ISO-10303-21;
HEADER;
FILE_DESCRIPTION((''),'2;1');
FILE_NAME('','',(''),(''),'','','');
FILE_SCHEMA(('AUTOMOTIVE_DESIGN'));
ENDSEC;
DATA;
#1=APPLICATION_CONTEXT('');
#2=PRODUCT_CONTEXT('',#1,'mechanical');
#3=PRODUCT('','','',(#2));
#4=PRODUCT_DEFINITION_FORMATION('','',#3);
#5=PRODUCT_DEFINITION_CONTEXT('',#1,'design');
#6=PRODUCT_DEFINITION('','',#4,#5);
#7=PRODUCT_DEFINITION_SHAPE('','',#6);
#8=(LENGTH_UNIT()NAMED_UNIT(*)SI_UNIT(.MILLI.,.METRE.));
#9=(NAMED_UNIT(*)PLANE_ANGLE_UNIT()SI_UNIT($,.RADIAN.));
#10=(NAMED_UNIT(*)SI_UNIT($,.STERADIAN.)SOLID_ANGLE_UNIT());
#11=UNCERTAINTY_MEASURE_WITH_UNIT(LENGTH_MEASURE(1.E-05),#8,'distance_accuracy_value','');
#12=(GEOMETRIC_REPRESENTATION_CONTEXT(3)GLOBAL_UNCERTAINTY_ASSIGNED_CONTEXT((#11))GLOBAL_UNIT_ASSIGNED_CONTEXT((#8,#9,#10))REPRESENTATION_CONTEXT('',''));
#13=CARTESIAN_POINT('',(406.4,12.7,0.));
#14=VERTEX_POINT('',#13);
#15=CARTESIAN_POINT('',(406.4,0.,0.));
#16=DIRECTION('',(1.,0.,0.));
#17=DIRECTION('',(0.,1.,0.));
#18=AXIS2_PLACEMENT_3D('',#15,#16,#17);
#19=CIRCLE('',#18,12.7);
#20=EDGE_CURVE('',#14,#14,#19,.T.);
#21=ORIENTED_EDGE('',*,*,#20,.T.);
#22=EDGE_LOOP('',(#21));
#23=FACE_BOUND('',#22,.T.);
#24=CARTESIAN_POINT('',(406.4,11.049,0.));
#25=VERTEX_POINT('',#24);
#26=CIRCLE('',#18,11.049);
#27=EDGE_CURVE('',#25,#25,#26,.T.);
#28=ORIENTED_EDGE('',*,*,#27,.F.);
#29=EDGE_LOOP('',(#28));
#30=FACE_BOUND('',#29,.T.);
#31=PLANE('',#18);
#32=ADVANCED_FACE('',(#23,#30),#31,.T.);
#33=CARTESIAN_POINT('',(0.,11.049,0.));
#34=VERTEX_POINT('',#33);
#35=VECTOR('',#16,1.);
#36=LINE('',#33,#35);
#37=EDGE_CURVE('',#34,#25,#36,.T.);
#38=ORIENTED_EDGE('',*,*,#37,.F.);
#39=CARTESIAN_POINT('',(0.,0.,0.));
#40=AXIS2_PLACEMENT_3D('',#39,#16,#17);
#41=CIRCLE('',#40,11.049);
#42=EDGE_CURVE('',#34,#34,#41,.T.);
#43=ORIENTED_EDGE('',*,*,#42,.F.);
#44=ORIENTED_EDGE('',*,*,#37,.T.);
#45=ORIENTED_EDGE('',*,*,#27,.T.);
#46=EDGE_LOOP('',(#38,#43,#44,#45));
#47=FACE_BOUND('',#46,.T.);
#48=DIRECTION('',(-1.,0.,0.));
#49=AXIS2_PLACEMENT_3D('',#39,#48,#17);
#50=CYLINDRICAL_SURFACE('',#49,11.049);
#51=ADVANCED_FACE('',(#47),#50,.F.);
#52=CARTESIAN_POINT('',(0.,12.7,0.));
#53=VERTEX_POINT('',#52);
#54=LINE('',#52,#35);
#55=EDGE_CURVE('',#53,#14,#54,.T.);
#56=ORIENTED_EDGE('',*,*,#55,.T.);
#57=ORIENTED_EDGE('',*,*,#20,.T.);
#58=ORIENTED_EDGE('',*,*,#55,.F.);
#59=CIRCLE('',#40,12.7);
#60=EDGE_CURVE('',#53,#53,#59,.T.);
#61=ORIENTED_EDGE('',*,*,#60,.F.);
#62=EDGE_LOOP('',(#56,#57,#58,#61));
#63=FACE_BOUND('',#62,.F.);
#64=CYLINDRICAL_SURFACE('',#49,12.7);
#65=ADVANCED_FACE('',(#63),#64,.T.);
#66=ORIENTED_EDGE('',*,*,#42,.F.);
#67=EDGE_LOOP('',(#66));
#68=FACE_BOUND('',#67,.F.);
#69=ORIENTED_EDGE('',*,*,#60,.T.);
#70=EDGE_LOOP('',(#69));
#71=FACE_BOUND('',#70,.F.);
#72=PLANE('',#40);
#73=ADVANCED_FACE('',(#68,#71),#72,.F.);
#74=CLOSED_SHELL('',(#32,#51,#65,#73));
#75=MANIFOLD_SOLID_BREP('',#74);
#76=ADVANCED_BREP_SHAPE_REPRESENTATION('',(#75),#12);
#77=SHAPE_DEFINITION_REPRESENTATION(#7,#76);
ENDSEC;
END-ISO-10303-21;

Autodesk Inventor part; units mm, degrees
ref_plane "XZ Plane" through (0, 0, 0) normal (0, 1, 0) x (-1, 0, 0)
ref_plane "Start Plane" through (0, 0, 0) normal (1, 0, 0) x (0, 1, 0)
ref_plane "End Plane" through (406.4, 0, 0) normal (1, 0, 0) x (0, 1, 0)
sketch "Sketch" plane through (0, 0, 0) normal (1, 0, 0) x (0, 1, 0)
  circle A0 centre (0, 0) radius 12.7
  circle A1 centre (0, 0) radius 11.049
  dimension "d0" = 25.4
  dimension "d1" = 1.651
extrude "Body" add sketch "Sketch" along normal up to surface (406.4 mm away) from surface at 0
sketch "Sketch2" plane through (0, 0, 0) normal (1, 0, 0) x (0, 1, 0)
  line L0 (0, 0) -> (10, 0)
ref_plane "Work Plane3" through (0, 0, 0) normal (0, 0, -1) x (0, 1, 0)
sketch "Sketch3" plane through (0, 0, 0) normal (0, 0, -1) x (0, 1, 0)
  line L0 (-2, 0) -> (12, 0)
  line L1 (-2, 406.4) -> (12, 406.4)
  dimension "d9" = 406.4
equation "\"G_OFFSET_START\" = 0"
equation "\"G_OFFSET_END\" = 0"
equation "\"d5\" = d2 + G_OFFSET_END"
equation "\"G_L\" = d9"
equation "\"d2\" = 406.4"
properties part number "4130_1x0.065" material "Steel, Alloy"
